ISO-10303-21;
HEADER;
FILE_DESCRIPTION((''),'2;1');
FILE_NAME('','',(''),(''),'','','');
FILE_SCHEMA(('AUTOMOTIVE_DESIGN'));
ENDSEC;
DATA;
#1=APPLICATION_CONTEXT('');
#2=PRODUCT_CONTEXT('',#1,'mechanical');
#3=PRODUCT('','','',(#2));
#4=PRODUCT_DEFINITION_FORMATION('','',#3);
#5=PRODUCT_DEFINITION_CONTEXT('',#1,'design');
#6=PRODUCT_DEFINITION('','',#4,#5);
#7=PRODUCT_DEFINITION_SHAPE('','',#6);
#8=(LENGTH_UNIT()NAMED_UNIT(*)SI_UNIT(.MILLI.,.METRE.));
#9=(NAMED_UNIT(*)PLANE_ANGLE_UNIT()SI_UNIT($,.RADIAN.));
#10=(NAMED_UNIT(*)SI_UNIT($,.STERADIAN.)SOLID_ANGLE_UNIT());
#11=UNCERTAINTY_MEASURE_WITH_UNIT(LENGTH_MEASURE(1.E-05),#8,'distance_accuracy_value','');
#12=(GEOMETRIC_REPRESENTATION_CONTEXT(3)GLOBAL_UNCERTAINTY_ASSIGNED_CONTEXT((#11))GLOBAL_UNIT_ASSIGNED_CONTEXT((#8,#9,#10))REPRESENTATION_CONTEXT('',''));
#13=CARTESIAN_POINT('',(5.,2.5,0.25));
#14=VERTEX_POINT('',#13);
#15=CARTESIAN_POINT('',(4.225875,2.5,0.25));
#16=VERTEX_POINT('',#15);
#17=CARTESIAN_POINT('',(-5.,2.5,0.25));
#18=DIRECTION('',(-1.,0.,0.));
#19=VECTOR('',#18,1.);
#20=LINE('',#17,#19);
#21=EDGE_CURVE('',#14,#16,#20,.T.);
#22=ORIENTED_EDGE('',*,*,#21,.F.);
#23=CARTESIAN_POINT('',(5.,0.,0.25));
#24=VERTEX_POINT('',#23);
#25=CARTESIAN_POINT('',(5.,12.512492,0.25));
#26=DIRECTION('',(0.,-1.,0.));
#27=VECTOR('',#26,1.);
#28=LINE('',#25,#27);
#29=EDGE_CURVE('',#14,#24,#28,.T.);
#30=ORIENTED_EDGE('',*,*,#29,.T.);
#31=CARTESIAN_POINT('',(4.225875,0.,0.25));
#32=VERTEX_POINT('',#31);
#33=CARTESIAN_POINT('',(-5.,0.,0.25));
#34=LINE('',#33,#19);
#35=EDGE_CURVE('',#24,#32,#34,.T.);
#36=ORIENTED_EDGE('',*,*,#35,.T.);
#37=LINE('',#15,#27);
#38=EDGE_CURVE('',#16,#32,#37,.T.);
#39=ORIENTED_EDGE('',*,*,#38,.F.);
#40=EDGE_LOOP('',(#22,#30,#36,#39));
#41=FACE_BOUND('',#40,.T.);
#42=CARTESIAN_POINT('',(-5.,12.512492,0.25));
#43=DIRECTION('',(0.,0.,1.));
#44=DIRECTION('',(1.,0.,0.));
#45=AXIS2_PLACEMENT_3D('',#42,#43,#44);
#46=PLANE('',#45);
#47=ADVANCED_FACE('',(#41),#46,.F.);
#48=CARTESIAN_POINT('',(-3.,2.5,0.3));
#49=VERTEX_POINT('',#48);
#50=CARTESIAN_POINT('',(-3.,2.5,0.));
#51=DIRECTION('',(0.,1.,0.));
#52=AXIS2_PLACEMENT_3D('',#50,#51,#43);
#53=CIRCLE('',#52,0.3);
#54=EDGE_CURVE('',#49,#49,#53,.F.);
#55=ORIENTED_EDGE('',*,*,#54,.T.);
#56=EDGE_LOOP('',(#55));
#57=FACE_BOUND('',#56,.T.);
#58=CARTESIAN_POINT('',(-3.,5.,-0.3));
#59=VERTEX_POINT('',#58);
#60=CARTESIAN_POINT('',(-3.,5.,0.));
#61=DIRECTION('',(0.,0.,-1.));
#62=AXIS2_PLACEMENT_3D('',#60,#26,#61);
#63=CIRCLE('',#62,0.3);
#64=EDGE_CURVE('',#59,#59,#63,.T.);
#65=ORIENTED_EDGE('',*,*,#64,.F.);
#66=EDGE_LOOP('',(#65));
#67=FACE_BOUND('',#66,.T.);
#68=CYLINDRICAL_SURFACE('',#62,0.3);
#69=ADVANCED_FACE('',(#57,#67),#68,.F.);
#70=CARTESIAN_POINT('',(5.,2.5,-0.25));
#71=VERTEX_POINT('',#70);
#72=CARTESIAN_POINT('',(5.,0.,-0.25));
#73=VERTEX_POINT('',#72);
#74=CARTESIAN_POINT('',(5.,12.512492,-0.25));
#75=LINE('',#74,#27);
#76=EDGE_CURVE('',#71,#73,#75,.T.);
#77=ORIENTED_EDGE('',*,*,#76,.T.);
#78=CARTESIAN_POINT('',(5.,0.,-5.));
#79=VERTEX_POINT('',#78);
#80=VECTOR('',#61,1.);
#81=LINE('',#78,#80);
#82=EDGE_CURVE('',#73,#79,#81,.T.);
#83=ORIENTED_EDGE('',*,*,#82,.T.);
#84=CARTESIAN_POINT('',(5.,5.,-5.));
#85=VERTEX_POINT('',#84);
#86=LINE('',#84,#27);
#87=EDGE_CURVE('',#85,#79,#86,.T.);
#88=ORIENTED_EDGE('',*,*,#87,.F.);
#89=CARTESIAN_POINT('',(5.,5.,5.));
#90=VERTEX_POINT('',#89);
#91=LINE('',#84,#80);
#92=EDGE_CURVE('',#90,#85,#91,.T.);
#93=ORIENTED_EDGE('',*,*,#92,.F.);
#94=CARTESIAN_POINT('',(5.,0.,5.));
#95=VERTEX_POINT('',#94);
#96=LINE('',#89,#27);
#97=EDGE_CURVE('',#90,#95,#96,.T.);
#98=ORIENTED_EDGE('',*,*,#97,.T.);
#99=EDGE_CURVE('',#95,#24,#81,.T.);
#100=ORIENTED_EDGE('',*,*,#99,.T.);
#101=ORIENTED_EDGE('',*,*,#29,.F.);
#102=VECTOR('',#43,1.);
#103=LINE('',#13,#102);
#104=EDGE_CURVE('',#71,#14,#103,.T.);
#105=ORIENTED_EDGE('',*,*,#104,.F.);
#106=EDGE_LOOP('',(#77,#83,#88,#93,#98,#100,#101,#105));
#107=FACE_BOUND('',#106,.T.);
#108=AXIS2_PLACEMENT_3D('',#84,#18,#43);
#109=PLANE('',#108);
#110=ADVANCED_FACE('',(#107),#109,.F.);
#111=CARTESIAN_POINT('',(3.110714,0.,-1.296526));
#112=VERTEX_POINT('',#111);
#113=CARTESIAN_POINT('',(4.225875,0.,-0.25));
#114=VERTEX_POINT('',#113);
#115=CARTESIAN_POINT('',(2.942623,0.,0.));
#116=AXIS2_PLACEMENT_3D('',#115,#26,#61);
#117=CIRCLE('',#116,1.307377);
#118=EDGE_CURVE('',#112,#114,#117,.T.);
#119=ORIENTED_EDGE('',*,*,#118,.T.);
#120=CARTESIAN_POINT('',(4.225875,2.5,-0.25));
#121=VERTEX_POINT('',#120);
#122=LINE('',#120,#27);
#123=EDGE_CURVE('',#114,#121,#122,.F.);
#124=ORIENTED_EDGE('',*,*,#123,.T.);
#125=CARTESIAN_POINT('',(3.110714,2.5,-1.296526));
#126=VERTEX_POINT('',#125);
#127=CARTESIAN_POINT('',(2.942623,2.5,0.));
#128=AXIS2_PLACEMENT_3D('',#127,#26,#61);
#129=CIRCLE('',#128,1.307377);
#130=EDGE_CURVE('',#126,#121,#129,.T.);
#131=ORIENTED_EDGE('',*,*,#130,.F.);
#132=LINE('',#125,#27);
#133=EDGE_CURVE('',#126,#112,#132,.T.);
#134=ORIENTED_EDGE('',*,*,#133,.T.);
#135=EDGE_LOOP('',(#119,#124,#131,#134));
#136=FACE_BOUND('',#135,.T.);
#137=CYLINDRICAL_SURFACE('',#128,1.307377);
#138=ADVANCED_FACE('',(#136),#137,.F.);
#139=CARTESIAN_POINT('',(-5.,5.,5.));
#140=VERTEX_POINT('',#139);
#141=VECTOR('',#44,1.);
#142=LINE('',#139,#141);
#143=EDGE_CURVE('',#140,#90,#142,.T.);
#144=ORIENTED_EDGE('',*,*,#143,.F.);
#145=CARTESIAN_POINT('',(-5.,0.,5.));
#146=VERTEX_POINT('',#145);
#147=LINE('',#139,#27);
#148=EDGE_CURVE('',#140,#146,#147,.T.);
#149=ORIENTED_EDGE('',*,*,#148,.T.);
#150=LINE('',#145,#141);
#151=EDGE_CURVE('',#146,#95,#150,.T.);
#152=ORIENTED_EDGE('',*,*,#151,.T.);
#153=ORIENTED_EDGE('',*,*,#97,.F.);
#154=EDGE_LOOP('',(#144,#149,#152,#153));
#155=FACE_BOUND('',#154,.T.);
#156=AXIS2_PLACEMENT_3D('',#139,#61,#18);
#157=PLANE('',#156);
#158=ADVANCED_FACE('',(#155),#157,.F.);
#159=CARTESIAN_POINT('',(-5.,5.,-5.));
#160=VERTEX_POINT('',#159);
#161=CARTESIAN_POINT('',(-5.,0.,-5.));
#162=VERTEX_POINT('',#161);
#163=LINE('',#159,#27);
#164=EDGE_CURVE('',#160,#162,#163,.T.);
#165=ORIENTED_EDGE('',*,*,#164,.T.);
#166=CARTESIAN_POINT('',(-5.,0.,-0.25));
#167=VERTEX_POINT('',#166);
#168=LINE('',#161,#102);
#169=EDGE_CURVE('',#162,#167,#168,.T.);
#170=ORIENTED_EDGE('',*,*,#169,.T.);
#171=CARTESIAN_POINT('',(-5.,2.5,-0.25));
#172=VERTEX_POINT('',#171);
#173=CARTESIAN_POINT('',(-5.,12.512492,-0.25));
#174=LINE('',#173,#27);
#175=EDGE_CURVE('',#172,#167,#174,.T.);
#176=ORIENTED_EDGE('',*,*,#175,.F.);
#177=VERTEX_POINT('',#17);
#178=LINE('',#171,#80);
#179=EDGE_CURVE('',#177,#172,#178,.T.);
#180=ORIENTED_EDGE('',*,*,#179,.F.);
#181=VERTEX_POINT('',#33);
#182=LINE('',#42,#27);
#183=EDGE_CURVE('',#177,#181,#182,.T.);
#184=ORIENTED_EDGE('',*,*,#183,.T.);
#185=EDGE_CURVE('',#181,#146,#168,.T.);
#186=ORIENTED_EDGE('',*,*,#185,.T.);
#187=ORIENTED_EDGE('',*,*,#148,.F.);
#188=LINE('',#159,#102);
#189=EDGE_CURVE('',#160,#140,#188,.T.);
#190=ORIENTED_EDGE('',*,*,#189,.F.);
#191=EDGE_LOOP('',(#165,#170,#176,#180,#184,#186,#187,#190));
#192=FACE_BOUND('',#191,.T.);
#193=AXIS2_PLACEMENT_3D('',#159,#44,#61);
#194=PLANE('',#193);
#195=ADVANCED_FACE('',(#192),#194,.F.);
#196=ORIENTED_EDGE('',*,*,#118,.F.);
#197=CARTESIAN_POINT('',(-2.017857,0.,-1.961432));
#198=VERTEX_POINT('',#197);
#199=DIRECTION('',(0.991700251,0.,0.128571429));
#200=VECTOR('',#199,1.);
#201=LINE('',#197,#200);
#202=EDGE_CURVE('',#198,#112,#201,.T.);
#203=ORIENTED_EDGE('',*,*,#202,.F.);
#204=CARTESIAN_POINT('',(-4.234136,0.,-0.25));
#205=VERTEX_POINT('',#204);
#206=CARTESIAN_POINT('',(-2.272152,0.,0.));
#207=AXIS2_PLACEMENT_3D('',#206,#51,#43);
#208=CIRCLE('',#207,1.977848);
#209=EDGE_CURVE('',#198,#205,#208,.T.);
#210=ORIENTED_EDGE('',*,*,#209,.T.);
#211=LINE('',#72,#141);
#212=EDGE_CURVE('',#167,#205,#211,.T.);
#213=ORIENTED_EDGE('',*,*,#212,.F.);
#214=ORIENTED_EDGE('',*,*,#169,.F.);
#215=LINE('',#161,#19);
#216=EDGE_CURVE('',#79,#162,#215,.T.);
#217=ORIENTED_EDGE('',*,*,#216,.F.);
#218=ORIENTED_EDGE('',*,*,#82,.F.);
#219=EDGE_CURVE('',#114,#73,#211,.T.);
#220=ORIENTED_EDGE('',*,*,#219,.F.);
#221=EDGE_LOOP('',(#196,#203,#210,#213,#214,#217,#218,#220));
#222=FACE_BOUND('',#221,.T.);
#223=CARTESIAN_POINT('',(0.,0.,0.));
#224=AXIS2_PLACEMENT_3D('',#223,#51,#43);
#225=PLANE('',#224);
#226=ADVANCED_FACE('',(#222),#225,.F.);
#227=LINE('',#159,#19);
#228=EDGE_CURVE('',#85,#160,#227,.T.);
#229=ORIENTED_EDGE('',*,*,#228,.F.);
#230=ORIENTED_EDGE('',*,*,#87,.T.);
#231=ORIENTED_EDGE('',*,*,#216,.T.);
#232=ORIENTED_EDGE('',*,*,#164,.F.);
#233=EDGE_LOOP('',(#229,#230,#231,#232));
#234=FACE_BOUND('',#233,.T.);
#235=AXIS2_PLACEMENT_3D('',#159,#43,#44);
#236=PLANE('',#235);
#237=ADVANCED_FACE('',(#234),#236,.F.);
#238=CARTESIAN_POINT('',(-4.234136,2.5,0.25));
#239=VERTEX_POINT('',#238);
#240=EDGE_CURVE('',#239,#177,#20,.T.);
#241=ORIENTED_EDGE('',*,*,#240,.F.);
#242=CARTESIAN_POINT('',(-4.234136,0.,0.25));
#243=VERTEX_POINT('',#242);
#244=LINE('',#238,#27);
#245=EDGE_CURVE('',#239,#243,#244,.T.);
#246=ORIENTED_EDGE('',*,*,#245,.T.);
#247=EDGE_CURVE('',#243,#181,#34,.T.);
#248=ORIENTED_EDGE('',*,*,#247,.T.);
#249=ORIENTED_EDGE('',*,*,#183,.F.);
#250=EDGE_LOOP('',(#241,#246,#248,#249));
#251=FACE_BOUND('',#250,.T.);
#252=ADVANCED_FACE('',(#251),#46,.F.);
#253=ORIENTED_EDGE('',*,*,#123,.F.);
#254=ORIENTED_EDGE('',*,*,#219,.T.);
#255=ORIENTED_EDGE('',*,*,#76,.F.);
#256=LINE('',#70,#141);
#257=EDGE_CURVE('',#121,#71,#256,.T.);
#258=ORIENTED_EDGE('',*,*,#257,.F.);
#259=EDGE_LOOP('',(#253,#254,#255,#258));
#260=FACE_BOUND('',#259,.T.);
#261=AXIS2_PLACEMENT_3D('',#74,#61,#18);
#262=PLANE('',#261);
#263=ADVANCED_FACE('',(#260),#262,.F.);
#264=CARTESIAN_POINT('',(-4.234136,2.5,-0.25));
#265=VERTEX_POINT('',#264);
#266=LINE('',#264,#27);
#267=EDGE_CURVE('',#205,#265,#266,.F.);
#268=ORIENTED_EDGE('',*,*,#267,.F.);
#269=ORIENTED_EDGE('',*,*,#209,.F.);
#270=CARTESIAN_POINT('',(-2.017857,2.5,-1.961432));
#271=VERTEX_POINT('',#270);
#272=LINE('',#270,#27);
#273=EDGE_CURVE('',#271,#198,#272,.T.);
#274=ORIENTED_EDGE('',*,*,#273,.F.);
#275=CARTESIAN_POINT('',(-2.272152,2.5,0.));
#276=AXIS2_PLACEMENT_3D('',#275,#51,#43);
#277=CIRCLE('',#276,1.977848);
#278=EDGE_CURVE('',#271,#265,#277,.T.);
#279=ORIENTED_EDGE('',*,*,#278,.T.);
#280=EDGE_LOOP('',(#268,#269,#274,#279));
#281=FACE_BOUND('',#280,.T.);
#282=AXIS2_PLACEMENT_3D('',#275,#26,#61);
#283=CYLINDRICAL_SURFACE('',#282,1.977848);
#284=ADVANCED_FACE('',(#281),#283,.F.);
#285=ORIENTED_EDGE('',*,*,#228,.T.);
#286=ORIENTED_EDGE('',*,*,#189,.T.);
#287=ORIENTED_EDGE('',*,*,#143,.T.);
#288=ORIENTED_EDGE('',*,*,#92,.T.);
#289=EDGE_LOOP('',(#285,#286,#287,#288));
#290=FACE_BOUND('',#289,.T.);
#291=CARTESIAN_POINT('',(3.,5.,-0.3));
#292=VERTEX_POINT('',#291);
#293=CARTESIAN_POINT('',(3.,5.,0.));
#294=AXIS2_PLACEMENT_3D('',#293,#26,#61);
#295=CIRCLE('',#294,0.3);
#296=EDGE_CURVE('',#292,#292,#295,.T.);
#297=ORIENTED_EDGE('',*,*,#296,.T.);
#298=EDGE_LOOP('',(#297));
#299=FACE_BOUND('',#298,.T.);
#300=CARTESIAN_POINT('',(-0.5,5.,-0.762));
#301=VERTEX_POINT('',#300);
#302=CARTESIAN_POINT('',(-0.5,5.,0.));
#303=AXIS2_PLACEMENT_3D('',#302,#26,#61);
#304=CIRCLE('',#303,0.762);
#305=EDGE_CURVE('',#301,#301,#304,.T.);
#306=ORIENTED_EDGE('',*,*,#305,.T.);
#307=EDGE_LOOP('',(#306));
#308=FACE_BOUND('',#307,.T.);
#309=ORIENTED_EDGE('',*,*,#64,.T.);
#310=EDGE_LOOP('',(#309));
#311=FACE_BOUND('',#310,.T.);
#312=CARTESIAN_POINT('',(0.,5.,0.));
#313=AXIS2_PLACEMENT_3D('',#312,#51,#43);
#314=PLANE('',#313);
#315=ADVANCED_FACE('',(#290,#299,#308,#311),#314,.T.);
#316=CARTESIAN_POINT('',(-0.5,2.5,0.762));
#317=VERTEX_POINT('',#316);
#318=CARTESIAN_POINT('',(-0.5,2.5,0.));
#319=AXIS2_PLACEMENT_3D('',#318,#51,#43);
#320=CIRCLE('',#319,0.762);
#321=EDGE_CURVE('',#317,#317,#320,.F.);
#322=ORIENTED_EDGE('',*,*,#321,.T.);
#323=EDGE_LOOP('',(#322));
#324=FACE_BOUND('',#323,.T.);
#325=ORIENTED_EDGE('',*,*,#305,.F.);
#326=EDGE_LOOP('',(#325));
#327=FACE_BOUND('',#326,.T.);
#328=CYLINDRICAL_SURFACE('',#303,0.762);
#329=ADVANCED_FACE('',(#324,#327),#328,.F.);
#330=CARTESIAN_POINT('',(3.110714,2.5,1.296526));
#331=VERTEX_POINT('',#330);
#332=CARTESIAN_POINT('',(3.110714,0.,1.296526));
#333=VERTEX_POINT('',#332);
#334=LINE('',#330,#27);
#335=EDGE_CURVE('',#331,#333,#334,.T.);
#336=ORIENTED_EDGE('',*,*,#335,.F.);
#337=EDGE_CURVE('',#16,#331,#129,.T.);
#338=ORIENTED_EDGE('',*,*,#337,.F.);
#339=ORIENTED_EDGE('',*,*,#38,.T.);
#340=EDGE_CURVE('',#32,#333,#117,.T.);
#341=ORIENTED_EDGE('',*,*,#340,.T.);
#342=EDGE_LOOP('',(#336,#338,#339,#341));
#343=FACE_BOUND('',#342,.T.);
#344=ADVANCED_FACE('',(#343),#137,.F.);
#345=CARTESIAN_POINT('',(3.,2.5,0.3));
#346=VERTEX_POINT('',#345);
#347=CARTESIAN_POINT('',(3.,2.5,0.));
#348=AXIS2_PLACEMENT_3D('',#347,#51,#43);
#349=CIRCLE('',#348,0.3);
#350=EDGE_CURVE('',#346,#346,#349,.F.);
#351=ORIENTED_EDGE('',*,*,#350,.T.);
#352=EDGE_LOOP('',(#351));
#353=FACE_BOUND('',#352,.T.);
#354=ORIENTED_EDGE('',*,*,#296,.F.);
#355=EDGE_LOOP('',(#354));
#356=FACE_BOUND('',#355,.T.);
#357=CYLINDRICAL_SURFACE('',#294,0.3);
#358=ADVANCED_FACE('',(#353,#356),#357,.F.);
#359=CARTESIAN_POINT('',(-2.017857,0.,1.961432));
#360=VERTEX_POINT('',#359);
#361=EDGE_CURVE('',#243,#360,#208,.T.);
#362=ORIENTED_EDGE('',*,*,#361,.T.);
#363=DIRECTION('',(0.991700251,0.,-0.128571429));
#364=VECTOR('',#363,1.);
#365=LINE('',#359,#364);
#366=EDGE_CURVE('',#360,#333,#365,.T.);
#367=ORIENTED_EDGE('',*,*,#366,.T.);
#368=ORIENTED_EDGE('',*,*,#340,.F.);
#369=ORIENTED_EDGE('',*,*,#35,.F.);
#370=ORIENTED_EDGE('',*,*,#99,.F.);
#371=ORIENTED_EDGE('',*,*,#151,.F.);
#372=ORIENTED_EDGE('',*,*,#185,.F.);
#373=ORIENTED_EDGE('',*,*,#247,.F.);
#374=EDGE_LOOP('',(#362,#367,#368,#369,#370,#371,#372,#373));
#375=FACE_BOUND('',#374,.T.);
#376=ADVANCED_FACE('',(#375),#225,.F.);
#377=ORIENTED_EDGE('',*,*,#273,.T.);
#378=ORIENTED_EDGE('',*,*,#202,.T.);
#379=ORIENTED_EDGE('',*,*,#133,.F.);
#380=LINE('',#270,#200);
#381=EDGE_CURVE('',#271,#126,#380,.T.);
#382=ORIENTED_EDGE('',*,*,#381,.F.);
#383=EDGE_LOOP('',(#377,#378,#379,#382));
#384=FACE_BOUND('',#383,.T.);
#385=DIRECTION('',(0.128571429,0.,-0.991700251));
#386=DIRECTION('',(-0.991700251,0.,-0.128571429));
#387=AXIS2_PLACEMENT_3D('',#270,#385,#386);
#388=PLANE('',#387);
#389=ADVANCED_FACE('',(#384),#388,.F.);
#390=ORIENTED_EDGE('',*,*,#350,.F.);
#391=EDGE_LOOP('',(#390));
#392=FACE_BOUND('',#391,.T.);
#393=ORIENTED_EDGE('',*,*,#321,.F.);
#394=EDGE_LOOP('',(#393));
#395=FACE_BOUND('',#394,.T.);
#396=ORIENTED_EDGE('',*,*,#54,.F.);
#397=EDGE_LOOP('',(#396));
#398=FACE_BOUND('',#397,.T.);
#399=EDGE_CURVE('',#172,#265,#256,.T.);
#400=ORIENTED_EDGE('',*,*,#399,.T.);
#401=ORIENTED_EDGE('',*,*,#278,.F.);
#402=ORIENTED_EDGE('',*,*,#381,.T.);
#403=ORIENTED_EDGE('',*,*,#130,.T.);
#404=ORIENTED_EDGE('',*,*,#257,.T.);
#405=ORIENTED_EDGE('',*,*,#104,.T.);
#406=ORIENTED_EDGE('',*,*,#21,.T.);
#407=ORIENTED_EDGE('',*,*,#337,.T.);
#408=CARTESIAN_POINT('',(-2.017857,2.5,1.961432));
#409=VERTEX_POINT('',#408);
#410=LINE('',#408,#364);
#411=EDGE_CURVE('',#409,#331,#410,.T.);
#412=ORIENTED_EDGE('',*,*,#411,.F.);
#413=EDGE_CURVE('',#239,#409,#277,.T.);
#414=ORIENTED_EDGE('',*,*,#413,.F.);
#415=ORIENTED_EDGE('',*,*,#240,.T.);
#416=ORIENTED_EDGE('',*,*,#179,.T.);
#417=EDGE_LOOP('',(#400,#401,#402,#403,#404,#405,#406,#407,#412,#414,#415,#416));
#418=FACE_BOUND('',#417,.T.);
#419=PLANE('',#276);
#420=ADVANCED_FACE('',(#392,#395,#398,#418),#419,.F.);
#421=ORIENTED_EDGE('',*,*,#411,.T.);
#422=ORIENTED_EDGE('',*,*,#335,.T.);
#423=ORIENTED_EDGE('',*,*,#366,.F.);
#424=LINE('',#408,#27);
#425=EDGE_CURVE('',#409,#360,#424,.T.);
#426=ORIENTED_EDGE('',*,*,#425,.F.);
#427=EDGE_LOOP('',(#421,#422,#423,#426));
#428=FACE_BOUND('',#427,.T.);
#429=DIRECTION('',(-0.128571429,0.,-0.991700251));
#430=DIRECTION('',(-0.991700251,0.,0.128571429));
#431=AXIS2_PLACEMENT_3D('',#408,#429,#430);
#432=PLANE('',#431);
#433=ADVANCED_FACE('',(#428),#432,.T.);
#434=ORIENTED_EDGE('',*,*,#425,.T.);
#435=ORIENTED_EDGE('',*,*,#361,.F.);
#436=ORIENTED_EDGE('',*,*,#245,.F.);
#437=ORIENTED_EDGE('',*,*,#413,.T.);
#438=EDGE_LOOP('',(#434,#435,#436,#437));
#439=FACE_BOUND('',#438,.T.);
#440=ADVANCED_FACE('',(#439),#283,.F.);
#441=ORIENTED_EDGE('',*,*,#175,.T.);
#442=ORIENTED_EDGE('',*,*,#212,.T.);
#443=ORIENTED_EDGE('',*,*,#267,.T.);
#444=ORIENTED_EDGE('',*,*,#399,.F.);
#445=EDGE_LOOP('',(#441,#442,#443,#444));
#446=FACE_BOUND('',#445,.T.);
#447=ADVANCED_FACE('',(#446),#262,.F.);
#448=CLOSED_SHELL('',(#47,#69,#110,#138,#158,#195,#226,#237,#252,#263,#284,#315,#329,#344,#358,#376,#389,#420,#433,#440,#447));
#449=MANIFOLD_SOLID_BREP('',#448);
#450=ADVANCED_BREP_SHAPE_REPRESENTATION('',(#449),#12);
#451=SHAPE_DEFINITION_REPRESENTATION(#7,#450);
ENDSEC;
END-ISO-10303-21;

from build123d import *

# Parameters (mm, degrees)
BASEWITH_ALIGNMENT_W = 10
BASEWITH_ALIGNMENT_H = 10
BOSS_EXTRUDE1_DEPTH  = 5
SKETCH1_R            = 0.762
SKETCH1_R_2          = 0.3
CUT_EXTRUDE6_DEPTH   = 9.660254038
CUT_EXTRUDE7_DEPTH   = 2.5
SKETCH2_W            = 10
SKETCH2_H            = 0.5
CUT_EXTRUDE8_DEPTH   = 2.5


with BuildPart() as part:
    # BaseWith Alignment → Boss-Extrude1 (new body)
    with BuildSketch(Plane(origin=(0, 0, 0), x_dir=(1, 0, 0), z_dir=(0, 1, 0))):
        Rectangle(BASEWITH_ALIGNMENT_W, BASEWITH_ALIGNMENT_H)
    extrude(amount=BOSS_EXTRUDE1_DEPTH)

    # Sketch1 → Cut-Extrude6 (cut, through all)
    with BuildSketch(Plane(origin=(0, 0, 0), x_dir=(-1, 0, 0), z_dir=(0, -1, 0))):
        with Locations(Location((0.5, 0, 0), (0, 0, 90))):
            Circle(SKETCH1_R)
        with Locations(Location((3, 0, 0), (0, 0, 90))):
            Circle(SKETCH1_R_2)
        with Locations(Location((-3, 0, 0), (0, 0, 90))):
            Circle(SKETCH1_R_2)
    extrude(amount=-CUT_EXTRUDE6_DEPTH, mode=Mode.SUBTRACT)

    # Sketch1<3> → Cut-Extrude7 (cut)
    with BuildSketch(Plane(origin=(0, 0, 0), x_dir=(-1, 0, 0), z_dir=(0, -1, 0))):
        with BuildLine():
            Line((2.017857143, -1.961432458), (-3.110714286, -1.296526148))
            ThreePointArc((-3.110714286, -1.296526148), (-4.25, 0), (-3.110714286, 1.296526148))
            Line((-3.110714286, 1.296526148), (2.017857143, 1.961432458))
            ThreePointArc((2.017857143, 1.961432458), (4.25, 0), (2.017857143, -1.961432458))
        make_face()
    extrude(amount=-CUT_EXTRUDE7_DEPTH, mode=Mode.SUBTRACT)

    # Sketch2 → Cut-Extrude8 (cut)
    with BuildSketch(Plane.XZ):
        Rectangle(SKETCH2_W, SKETCH2_H)
    extrude(amount=-CUT_EXTRUDE8_DEPTH, mode=Mode.SUBTRACT)


solid = part.part
